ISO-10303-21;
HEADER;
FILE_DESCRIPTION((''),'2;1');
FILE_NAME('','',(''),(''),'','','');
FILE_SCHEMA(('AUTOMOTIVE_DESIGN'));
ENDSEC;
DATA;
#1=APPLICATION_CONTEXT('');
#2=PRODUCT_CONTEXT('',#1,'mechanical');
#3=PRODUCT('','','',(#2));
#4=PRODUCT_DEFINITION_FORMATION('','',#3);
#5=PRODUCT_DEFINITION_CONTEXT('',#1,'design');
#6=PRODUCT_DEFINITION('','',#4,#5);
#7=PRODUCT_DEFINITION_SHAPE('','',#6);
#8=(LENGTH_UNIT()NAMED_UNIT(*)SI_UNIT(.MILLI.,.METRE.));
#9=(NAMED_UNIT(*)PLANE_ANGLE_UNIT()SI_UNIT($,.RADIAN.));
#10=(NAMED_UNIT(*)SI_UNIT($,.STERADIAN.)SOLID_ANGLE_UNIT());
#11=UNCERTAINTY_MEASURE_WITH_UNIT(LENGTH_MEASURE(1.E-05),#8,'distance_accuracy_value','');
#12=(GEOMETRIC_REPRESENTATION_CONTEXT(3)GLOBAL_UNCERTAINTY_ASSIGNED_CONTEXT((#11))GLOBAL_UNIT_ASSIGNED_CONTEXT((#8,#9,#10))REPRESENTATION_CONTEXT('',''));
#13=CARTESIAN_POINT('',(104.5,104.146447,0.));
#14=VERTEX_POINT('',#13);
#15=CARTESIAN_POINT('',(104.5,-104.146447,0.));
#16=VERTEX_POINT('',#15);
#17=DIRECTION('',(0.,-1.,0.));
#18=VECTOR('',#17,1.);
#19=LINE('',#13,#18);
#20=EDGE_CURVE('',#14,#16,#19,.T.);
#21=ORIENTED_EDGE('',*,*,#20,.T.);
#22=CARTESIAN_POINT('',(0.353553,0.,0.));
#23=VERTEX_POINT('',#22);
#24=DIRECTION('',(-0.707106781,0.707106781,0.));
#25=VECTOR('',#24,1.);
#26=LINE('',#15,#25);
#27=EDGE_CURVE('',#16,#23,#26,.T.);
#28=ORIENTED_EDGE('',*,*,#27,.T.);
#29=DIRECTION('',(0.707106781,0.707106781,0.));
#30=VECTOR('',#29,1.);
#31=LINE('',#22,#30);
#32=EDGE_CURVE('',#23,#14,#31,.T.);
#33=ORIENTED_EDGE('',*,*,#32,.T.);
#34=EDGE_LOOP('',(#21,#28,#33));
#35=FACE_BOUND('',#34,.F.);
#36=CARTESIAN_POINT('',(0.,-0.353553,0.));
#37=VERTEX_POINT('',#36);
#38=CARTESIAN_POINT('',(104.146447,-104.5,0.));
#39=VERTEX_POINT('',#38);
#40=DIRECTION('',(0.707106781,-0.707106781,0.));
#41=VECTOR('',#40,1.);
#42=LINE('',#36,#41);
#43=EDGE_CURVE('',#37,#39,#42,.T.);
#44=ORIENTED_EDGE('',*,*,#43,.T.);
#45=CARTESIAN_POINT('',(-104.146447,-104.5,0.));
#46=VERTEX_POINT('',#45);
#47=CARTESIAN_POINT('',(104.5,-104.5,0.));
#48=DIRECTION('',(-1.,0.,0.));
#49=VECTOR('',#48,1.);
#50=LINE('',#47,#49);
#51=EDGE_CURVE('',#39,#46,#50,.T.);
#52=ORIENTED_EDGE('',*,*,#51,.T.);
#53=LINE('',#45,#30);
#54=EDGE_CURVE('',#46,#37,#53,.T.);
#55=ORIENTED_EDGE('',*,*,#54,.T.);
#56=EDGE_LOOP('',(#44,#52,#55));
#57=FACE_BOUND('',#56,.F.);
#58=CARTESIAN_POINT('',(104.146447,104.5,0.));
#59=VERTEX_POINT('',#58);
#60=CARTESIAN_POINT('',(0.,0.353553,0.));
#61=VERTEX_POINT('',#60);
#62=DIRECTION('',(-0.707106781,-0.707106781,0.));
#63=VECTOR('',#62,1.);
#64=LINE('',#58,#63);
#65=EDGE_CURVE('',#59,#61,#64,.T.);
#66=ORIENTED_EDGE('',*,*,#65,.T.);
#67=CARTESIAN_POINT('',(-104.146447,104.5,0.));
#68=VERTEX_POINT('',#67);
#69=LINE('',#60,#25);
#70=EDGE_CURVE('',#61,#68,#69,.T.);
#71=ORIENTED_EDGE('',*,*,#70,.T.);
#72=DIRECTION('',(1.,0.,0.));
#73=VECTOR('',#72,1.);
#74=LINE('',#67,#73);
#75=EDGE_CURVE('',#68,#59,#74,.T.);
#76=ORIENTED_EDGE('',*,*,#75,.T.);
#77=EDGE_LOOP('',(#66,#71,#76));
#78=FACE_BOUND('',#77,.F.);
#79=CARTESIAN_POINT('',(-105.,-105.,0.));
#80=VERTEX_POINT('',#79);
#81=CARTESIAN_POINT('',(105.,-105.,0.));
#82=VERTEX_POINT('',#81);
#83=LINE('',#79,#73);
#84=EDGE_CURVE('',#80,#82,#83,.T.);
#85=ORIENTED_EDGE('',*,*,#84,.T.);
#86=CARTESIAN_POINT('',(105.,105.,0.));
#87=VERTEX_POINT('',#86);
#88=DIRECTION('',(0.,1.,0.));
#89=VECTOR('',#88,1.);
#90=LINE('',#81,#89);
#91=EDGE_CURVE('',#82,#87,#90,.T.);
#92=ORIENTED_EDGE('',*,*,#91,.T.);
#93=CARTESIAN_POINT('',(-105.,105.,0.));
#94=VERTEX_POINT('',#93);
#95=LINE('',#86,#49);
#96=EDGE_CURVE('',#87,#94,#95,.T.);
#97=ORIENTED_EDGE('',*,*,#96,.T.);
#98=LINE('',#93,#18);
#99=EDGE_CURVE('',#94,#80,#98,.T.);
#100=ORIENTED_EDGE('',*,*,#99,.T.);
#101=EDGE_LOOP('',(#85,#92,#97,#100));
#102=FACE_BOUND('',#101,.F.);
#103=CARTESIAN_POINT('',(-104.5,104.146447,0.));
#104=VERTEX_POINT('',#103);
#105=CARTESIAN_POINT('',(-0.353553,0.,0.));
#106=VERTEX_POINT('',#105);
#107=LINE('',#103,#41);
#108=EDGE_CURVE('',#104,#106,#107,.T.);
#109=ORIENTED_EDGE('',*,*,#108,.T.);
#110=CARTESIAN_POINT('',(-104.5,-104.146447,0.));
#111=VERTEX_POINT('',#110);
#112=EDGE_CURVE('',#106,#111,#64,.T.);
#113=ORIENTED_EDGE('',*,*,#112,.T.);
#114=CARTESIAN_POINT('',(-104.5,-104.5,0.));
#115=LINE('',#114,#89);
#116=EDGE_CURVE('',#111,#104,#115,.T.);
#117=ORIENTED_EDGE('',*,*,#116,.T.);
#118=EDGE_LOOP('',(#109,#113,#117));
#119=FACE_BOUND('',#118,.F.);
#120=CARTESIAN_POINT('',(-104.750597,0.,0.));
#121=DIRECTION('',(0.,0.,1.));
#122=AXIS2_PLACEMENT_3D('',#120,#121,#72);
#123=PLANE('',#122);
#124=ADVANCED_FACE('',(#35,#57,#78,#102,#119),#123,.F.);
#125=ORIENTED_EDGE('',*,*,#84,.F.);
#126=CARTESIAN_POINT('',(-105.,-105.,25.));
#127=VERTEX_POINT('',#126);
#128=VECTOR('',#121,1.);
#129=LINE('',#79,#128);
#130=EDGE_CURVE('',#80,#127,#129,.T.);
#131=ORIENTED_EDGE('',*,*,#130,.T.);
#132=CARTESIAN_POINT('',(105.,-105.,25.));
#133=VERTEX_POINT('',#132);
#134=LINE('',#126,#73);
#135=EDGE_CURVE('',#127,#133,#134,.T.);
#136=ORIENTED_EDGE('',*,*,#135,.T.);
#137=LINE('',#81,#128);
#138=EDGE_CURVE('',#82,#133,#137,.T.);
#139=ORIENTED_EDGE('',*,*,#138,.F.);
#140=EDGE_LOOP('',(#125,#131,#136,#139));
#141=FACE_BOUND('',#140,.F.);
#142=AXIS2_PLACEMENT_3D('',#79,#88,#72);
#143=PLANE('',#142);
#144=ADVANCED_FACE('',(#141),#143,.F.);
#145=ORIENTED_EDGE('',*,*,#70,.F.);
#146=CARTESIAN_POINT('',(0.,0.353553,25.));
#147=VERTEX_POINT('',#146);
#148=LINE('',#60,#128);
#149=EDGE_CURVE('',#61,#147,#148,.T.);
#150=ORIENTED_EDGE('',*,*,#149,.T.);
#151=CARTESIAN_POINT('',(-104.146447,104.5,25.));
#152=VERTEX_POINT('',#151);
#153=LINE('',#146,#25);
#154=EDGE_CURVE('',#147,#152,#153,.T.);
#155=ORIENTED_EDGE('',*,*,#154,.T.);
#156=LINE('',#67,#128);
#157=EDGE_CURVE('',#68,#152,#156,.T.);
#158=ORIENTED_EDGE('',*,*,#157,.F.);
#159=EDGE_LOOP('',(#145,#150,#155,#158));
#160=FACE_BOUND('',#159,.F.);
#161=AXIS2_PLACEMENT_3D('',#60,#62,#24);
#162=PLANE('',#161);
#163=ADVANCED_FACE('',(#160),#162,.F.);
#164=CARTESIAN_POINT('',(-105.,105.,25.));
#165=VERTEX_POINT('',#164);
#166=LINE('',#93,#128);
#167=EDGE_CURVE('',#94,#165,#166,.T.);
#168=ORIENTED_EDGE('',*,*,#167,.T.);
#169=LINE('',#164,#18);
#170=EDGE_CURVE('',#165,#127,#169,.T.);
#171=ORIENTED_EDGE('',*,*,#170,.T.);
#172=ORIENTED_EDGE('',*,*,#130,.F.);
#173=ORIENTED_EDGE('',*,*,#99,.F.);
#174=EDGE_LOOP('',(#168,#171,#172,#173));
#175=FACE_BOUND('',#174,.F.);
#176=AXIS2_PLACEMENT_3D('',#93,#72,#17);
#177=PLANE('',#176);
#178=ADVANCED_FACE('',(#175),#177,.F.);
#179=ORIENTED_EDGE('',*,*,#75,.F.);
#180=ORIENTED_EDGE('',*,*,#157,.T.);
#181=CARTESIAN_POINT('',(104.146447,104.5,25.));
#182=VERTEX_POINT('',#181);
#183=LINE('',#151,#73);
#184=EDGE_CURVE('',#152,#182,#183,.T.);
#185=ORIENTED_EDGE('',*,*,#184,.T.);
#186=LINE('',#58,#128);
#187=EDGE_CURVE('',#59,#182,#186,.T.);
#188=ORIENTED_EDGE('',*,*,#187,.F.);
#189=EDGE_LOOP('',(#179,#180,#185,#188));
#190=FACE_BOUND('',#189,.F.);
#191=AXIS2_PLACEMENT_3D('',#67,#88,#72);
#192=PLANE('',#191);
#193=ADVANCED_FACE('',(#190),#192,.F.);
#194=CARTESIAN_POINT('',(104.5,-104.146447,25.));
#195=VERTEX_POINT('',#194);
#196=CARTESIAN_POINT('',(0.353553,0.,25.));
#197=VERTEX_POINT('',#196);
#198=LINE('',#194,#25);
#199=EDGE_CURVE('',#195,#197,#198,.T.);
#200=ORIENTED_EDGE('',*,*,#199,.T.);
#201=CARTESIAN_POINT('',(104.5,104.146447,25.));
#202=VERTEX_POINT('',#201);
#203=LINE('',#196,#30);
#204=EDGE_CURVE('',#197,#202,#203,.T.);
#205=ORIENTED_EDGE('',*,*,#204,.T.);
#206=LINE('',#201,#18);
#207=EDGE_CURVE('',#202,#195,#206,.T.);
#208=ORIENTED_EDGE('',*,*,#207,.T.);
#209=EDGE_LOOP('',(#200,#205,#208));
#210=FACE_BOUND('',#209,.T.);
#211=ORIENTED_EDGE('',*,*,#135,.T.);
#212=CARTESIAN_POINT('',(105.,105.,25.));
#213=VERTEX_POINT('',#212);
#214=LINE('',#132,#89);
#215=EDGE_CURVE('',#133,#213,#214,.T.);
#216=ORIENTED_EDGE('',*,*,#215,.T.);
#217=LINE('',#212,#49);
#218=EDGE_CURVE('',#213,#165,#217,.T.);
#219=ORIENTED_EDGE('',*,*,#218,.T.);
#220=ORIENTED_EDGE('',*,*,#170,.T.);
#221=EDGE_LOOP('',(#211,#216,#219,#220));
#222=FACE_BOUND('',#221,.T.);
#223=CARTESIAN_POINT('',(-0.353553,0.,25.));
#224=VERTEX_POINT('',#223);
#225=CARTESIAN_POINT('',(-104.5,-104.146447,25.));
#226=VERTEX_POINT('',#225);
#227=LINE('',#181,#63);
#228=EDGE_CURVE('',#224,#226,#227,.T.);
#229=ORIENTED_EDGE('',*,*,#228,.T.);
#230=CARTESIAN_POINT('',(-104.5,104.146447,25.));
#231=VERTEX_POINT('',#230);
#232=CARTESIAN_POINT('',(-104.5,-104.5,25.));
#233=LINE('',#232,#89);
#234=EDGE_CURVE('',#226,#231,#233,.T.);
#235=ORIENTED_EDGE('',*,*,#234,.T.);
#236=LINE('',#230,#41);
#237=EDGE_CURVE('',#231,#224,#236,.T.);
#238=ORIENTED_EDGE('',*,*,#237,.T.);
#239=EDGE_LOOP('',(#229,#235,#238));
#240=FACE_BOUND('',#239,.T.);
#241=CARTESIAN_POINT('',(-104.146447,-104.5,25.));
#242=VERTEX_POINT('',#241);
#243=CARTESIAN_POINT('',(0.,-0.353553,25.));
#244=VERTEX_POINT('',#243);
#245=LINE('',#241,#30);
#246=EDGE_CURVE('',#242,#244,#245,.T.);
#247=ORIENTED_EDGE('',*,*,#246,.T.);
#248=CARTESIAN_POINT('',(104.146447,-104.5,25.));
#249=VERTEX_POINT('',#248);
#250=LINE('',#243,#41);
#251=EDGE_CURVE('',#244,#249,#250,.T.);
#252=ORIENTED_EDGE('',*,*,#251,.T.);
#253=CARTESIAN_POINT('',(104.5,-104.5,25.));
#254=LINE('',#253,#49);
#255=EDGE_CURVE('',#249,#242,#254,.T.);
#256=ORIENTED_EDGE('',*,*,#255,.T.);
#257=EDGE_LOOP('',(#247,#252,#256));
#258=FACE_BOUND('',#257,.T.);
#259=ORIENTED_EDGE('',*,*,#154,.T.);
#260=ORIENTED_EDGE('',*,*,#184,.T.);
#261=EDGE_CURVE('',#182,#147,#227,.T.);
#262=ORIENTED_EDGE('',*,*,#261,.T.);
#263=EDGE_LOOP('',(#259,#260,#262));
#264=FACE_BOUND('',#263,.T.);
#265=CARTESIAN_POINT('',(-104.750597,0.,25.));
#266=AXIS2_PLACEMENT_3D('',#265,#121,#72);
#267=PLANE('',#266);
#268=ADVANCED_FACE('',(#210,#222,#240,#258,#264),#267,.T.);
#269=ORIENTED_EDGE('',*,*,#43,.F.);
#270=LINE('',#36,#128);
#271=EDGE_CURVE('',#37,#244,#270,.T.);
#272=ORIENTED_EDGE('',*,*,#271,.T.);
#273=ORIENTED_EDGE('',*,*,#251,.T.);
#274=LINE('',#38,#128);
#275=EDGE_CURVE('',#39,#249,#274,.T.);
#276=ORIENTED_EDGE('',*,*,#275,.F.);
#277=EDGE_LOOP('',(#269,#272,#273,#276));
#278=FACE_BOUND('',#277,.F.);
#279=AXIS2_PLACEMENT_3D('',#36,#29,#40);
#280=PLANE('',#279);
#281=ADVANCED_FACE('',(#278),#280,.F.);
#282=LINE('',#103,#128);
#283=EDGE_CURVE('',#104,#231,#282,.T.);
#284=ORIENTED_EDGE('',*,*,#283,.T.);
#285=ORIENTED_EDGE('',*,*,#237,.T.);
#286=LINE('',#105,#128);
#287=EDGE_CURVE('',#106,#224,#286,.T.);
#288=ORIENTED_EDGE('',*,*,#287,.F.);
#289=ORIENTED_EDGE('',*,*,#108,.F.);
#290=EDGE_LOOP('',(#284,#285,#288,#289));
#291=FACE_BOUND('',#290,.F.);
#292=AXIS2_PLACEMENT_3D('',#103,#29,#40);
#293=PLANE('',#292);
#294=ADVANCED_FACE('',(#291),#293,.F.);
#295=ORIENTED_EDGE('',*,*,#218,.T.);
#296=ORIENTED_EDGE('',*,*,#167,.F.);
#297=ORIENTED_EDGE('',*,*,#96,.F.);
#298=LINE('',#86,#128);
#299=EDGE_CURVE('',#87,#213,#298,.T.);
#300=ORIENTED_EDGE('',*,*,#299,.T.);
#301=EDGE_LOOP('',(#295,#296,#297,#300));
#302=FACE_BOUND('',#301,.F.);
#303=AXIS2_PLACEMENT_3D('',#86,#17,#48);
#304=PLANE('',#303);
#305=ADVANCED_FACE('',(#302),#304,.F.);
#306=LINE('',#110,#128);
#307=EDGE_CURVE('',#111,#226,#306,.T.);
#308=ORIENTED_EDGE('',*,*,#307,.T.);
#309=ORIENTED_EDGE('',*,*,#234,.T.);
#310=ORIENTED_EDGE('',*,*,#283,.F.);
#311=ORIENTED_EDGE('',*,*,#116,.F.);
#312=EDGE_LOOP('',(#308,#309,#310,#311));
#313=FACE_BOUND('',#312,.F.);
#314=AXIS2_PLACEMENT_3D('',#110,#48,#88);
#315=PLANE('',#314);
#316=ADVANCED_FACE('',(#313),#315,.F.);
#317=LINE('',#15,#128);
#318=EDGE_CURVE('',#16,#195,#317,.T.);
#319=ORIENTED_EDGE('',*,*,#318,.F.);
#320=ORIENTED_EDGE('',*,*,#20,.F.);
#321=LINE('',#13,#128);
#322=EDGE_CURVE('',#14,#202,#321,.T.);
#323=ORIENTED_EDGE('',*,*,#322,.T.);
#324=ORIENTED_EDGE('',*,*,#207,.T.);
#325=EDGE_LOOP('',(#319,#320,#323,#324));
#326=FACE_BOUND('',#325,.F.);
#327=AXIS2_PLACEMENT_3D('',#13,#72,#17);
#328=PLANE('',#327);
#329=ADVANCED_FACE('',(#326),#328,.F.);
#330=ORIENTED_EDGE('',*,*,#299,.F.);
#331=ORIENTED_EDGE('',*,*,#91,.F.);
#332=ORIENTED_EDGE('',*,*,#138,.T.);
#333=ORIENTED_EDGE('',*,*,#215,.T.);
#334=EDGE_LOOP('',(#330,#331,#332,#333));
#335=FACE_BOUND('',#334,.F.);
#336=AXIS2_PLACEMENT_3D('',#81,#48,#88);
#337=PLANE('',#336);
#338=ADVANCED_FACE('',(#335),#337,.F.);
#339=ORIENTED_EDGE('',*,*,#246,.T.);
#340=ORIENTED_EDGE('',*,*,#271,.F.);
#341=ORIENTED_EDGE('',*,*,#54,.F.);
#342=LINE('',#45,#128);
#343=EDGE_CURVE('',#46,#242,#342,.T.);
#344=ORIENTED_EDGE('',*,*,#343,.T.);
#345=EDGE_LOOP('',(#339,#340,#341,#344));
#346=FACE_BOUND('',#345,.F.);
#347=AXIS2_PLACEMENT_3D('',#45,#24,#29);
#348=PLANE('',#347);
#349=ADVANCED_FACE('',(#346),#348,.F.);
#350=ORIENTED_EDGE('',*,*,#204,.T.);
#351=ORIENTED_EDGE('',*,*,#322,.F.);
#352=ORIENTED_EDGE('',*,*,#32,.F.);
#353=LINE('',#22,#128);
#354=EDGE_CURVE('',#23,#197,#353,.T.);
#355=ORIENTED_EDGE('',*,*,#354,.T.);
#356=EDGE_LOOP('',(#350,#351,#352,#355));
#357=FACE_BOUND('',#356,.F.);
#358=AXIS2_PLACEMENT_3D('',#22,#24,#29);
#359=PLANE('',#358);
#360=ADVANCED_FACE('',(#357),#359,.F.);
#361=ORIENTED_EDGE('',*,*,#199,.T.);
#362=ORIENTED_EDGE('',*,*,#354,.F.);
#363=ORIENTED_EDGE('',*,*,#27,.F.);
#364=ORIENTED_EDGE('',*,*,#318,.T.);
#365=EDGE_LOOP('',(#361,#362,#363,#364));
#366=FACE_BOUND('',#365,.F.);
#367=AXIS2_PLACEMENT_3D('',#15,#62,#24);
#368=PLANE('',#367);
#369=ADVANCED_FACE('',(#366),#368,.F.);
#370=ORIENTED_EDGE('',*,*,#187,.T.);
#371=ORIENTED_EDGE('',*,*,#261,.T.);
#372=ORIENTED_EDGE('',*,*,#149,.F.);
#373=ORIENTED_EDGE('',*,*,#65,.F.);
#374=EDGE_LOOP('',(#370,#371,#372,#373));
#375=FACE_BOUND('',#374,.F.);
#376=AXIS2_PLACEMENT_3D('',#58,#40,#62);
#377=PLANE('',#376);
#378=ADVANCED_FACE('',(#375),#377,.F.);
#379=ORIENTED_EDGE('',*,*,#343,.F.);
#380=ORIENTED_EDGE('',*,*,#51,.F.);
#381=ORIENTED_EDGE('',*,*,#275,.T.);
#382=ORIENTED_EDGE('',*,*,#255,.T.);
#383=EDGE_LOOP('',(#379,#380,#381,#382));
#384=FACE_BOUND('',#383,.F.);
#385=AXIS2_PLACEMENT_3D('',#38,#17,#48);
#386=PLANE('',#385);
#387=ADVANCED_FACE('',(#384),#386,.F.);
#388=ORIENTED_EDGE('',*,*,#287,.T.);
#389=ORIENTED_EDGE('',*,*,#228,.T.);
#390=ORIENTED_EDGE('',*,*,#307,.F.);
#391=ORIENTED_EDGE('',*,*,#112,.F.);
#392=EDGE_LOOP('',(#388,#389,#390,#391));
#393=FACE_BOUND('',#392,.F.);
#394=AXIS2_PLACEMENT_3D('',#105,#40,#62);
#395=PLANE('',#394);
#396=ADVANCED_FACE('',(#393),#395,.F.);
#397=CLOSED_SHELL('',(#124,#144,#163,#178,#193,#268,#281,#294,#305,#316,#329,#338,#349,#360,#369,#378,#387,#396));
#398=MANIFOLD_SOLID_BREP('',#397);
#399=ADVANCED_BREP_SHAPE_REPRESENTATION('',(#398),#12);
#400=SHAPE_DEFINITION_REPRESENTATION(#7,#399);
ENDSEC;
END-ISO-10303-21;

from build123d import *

# Parameters (mm, degrees)
F1_DEPTH = 25


with BuildPart() as f1:
    # F0 (on Top) → F1 (new body)
    with BuildSketch(Plane.XY):
        Polygon((-104.5, 104.1464466094), (-105, 104.6464466094), (-105, -104.6464466094), (-104.5, -104.1464466094), align=None)
        Polygon((-104.1464466094, -104.5), (-104.6464466094, -105), (104.6464466094, -105), (104.1464466094, -104.5), align=None)
        Polygon((-104.5, -104.5), (-105, -105), (-104.6464466094, -105), (-104.1464466094, -104.5), align=None)
        Polygon((-104.5, -104.1464466094), (-105, -104.6464466094), (-105, -105), (-104.5, -104.5), align=None)
        Polygon((-0.1767766953, -0.1767766953), (-104.5, -104.5), (-104.1464466094, -104.5), (0, -0.3535533906), align=None)
        Polygon((-0.3535533906, 0), (-104.5, -104.1464466094), (-104.5, -104.5), (-0.1767766953, -0.1767766953), align=None)
        Polygon((105, -104.6464466094), (105, 104.6464466094), (104.5, 104.1464466094), (104.5, -104.1464466094), align=None)
        Polygon((105, -105), (105, -104.6464466094), (104.5, -104.1464466094), (104.5, -104.5), align=None)
        Polygon((104.1464466094, -104.5), (104.6464466094, -105), (105, -105), (104.5, -104.5), align=None)
        Polygon((104.5, -104.5), (0.1767766953, -0.1767766953), (0, -0.3535533906), (104.1464466094, -104.5), align=None)
        Polygon((0.3535533906, 0), (0.1767766953, -0.1767766953), (104.5, -104.5), (104.5, -104.1464466094), align=None)
        Polygon((0, 0), (-0.1767766953, 0.1767766953), (-0.3535533906, 0), (-0.1767766953, -0.1767766953), align=None)
        Polygon((0.1767766953, -0.1767766953), (0, 0), (-0.1767766953, -0.1767766953), (0, -0.3535533906), align=None)
        Polygon((0.1767766953, 0.1767766953), (0, 0), (0.1767766953, -0.1767766953), (0.3535533906, 0), align=None)
        Polygon((0, 0.3535533906), (-0.1767766953, 0.1767766953), (0, 0), (0.1767766953, 0.1767766953), align=None)
        Polygon((104.5, 104.1464466094), (104.5, 104.5), (0.1767766953, 0.1767766953), (0.3535533906, 0), align=None)
        Polygon((104.5, 104.5), (104.1464466094, 104.5), (0, 0.3535533906), (0.1767766953, 0.1767766953), align=None)
        Polygon((-104.1464466094, 104.5), (-104.5, 104.5), (-0.1767766953, 0.1767766953), (0, 0.3535533906), align=None)
        Polygon((-0.1767766953, 0.1767766953), (-104.5, 104.5), (-104.5, 104.1464466094), (-0.3535533906, 0), align=None)
        Polygon((-104.5, 104.5), (-105, 105), (-105, 104.6464466094), (-104.5, 104.1464466094), align=None)
        Polygon((-104.6464466094, 105), (-105, 105), (-104.5, 104.5), (-104.1464466094, 104.5), align=None)
        Polygon((104.6464466094, 105), (-104.6464466094, 105), (-104.1464466094, 104.5), (104.1464466094, 104.5), align=None)
        Polygon((105, 105), (104.6464466094, 105), (104.1464466094, 104.5), (104.5, 104.5), align=None)
        Polygon((105, 104.6464466094), (105, 105), (104.5, 104.5), (104.5, 104.1464466094), align=None)
    extrude(amount=F1_DEPTH)


solid = f1.part
